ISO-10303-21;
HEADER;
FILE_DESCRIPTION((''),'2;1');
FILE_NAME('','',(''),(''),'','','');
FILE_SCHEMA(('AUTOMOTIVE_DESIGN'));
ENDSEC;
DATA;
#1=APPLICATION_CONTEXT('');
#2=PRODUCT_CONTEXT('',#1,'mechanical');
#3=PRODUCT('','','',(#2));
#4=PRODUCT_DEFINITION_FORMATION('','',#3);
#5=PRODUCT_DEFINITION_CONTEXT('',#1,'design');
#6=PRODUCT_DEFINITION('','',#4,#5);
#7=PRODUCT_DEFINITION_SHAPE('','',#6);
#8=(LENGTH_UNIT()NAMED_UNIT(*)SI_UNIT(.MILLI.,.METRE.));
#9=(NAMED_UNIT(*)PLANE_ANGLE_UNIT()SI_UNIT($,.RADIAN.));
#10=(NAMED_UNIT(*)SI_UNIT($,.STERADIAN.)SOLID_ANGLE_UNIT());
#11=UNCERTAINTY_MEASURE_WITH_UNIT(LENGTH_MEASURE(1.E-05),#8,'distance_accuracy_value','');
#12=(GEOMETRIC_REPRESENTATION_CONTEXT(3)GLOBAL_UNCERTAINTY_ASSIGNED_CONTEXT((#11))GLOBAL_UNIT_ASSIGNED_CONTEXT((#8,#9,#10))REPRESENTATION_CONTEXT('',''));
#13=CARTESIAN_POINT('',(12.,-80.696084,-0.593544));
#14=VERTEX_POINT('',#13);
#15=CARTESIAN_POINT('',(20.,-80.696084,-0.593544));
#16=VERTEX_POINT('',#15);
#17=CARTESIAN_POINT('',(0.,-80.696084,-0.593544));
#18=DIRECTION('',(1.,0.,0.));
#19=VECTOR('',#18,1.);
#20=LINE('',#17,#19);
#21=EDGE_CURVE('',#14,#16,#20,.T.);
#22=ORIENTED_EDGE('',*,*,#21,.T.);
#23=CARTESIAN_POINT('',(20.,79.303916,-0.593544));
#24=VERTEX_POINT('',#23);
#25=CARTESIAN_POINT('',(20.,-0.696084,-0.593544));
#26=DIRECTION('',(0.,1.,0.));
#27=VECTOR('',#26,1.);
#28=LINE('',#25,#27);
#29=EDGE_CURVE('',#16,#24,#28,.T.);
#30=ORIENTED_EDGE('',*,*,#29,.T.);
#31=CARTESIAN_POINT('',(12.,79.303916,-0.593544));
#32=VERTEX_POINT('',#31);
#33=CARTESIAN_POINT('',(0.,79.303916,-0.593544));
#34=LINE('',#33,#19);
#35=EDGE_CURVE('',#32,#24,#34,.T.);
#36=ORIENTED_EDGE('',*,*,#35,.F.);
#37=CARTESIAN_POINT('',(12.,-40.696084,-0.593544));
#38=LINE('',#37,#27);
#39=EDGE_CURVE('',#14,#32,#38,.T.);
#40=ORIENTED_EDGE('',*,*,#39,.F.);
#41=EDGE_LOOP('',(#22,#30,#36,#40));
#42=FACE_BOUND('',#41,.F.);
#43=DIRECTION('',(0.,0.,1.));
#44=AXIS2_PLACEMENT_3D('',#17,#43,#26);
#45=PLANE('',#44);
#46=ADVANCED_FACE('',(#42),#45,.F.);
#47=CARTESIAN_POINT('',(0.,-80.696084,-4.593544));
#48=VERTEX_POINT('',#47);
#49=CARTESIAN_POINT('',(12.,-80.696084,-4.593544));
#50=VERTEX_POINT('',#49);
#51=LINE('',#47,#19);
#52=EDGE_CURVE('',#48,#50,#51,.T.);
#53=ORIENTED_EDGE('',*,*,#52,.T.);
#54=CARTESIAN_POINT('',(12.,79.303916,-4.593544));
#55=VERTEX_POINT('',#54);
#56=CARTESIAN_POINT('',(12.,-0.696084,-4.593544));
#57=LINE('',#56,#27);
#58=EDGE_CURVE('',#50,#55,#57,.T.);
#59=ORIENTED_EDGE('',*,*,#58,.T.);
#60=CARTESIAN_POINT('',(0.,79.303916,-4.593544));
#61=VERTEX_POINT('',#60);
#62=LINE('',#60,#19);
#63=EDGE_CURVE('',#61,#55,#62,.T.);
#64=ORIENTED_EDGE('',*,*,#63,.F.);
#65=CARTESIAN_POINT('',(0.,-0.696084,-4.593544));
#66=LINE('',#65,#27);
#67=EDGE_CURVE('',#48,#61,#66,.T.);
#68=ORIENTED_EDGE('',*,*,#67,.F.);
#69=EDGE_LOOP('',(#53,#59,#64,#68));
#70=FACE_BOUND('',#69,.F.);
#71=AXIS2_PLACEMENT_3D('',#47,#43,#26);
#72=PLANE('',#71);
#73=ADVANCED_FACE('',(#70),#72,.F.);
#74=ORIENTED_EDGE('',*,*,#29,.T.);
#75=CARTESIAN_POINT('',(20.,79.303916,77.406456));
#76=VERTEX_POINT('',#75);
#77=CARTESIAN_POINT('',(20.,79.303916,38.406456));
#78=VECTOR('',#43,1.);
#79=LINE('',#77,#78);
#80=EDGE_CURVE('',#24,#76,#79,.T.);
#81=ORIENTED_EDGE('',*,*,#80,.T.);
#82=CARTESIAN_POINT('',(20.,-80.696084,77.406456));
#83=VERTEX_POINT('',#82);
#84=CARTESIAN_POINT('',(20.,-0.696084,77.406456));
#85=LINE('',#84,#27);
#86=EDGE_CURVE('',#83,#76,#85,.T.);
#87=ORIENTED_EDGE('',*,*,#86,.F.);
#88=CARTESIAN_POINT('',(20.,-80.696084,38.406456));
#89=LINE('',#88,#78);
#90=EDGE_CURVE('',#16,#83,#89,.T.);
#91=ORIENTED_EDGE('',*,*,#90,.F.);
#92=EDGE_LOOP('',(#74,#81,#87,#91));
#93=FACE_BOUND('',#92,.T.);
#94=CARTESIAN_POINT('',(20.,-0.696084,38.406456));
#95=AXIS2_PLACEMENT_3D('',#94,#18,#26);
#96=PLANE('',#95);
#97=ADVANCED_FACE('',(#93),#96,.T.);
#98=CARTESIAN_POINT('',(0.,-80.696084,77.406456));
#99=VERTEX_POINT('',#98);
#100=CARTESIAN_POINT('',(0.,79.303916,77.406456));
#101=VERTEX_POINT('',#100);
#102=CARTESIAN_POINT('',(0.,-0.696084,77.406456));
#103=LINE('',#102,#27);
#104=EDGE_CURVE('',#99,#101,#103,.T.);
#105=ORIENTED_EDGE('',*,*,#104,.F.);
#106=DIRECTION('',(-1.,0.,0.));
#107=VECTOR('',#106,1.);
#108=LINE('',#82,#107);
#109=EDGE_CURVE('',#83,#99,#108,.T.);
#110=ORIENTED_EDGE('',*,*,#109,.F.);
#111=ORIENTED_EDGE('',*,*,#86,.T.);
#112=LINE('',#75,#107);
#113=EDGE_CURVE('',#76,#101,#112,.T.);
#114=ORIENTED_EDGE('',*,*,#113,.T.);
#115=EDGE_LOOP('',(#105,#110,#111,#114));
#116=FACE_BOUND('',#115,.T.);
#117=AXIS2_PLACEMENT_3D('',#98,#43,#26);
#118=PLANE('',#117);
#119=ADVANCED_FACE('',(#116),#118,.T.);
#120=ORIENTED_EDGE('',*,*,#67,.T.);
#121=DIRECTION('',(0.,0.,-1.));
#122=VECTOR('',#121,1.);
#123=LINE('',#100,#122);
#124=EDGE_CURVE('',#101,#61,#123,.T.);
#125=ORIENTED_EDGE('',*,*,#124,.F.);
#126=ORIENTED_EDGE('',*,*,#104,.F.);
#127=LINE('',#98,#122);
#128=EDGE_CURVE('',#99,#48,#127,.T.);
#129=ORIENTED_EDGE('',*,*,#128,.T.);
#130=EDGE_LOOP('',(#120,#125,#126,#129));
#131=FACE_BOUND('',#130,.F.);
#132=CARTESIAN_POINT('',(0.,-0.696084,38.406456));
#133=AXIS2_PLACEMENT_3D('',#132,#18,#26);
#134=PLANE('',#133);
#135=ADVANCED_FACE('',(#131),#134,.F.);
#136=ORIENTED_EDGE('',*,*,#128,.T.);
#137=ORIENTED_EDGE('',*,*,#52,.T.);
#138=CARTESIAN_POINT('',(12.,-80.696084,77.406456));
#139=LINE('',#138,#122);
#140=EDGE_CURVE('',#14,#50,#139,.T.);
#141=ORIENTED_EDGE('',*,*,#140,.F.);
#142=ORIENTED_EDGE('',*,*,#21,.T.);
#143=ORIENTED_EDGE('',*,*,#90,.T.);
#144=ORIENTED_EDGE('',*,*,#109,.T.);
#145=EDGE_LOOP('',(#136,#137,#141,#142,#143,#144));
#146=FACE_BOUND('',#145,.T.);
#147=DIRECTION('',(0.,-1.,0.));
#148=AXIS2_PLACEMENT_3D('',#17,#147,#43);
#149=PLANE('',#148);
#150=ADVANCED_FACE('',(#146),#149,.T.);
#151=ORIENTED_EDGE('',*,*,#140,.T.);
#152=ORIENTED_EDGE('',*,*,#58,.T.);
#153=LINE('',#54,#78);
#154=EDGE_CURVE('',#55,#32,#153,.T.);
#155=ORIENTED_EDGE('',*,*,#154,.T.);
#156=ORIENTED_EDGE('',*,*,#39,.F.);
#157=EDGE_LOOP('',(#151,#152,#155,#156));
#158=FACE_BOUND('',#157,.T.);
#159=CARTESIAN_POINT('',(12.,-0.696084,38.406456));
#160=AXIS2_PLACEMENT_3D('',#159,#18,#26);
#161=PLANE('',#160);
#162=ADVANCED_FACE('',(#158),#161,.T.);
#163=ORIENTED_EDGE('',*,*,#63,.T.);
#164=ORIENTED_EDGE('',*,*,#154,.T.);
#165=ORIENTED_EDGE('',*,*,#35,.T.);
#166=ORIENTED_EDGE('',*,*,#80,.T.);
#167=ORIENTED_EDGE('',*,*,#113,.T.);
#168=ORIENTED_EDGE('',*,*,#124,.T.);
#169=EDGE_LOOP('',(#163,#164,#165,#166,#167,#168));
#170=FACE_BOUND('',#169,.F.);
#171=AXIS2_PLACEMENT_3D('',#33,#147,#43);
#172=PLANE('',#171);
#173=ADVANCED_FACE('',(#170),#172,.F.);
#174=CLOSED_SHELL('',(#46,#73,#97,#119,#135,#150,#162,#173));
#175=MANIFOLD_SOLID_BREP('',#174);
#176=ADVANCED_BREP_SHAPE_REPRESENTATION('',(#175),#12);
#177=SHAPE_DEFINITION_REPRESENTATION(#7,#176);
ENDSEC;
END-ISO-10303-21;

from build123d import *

# Parameters (mm, degrees)
F0_W     = 160
F0_H     = 78
F1_DEPTH = 20
F0_H_2   = 4
F2_DEPTH = 12


with BuildPart() as f1:
    # F0 (on Right) → F1 (new body)
    with BuildSketch(Plane.YZ):
        with Locations((-0.696084, 38.406456)):
            Rectangle(F0_W, F0_H)
    extrude(amount=F1_DEPTH)

    # F0 (on Right) → F2 (join)
    with BuildSketch(Plane.YZ):
        with Locations((-0.696084, 38.406456)):
            Rectangle(F0_W, F0_H)
        with Locations((-0.696084, -2.593544)):
            Rectangle(F0_W, F0_H_2)
    extrude(amount=F2_DEPTH)


solid = f1.part
